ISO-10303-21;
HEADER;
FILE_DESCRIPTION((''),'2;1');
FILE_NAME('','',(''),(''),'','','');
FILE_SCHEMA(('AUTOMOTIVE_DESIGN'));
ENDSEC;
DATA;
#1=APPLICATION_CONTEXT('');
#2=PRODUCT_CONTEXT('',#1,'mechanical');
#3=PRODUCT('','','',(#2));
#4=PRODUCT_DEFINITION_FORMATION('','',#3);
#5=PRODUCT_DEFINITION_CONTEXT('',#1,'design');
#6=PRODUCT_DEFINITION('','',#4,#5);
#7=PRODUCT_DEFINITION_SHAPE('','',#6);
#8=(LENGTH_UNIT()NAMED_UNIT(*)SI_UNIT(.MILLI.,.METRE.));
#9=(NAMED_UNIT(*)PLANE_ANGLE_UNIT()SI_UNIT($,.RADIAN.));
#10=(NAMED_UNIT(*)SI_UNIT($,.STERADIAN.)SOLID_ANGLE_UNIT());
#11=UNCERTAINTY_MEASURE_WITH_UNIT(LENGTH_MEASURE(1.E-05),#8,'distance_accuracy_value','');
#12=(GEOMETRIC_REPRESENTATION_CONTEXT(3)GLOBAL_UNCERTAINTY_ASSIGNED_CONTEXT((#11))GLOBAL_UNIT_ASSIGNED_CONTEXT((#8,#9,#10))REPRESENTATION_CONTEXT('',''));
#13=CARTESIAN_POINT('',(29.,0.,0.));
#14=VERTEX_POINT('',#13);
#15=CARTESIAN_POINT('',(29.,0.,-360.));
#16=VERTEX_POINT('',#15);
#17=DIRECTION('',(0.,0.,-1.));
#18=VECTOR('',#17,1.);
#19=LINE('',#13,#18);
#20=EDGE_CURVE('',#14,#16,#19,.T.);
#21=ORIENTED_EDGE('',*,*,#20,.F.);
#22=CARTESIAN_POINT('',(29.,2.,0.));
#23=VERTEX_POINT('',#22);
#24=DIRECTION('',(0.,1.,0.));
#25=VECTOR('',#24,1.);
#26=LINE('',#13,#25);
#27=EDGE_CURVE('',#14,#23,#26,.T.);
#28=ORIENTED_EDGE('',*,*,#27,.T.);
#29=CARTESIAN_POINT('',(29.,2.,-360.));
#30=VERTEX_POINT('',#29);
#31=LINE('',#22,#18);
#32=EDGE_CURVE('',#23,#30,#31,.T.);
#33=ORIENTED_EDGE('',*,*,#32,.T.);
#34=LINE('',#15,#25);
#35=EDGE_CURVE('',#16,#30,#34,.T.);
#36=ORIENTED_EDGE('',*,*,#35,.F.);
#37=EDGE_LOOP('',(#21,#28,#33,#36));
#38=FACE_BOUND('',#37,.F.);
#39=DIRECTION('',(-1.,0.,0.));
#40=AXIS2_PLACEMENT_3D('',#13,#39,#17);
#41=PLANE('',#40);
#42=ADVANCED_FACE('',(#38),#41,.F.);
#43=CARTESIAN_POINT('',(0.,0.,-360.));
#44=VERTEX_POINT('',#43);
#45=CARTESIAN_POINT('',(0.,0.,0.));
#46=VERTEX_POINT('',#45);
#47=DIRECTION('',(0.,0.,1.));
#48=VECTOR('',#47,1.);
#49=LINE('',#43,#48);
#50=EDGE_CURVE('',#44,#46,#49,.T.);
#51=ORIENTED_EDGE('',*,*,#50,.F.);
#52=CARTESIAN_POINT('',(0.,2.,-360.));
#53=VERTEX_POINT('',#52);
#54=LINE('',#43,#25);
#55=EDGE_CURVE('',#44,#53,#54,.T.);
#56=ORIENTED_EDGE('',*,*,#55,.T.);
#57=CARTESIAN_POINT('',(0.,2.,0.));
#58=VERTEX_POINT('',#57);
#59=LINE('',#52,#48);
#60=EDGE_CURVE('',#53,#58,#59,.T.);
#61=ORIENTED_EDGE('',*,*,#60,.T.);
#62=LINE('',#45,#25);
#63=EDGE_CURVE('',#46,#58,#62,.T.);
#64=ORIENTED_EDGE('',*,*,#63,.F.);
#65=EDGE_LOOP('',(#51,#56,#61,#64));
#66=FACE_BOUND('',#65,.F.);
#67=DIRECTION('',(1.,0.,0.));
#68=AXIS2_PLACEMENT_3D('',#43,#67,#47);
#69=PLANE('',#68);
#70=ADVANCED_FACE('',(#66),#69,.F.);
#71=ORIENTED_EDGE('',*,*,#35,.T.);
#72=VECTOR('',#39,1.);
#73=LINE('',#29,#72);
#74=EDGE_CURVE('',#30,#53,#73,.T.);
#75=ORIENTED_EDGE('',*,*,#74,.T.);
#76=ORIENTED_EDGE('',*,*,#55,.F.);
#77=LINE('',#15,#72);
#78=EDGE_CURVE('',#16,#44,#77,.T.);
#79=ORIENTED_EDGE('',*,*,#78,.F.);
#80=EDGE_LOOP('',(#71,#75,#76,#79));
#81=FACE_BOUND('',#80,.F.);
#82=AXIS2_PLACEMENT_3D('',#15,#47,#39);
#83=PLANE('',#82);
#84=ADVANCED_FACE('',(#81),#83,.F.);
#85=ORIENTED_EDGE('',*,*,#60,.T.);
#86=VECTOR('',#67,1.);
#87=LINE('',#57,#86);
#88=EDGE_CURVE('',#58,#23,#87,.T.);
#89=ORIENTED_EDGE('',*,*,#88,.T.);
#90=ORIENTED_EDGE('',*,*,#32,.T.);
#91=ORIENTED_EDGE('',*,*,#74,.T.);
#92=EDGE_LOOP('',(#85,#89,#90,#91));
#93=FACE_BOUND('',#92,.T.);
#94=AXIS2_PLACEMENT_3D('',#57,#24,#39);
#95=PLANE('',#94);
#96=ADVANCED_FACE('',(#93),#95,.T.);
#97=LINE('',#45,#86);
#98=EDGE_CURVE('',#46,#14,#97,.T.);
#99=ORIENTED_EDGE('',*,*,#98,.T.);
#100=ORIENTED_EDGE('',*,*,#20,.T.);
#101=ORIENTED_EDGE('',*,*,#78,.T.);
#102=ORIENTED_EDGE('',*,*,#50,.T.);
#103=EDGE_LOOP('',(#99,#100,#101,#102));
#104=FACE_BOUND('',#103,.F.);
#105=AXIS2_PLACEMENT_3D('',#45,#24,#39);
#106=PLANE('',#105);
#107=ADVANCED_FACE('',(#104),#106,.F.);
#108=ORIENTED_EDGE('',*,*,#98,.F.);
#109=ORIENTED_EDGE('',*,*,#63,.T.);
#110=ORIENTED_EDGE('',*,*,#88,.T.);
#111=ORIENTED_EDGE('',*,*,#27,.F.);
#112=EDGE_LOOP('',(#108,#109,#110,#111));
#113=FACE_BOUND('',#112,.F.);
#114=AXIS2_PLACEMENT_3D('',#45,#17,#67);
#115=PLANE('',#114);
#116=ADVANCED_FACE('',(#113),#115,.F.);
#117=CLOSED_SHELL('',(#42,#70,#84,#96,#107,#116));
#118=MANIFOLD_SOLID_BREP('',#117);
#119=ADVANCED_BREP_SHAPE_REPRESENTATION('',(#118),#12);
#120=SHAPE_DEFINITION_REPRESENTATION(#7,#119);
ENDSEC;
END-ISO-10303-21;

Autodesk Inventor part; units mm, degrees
ref_plane "YZ Plane" through (0, 0, 0) normal (1, 0, 0) x (0, 1, 0)
ref_plane "XZ Plane" through (0, 0, 0) normal (0, 1, 0) x (-1, 0, 0)
ref_plane "XY Plane" through (0, 0, 0) normal (0, 0, 1) x (1, 0, 0)
sketch "スケッチ1" plane through (0, 0, 0) normal (0, 1, 0) x (-1, 0, 0)
  line L0 (0, 0) -> (-29, 0)
  line L1 (-29, 0) -> (-29, -360)
  line L2 (-29, -360) -> (0, -360)
  line L3 (0, -360) -> (0, 0)
  dimension "d0" = 360
  dimension "d1" = 29
extrude "押し出し1" add sketch "スケッチ1" along normal blind 2
properties part number "前上部カバー" material "ABS プラスチック"
